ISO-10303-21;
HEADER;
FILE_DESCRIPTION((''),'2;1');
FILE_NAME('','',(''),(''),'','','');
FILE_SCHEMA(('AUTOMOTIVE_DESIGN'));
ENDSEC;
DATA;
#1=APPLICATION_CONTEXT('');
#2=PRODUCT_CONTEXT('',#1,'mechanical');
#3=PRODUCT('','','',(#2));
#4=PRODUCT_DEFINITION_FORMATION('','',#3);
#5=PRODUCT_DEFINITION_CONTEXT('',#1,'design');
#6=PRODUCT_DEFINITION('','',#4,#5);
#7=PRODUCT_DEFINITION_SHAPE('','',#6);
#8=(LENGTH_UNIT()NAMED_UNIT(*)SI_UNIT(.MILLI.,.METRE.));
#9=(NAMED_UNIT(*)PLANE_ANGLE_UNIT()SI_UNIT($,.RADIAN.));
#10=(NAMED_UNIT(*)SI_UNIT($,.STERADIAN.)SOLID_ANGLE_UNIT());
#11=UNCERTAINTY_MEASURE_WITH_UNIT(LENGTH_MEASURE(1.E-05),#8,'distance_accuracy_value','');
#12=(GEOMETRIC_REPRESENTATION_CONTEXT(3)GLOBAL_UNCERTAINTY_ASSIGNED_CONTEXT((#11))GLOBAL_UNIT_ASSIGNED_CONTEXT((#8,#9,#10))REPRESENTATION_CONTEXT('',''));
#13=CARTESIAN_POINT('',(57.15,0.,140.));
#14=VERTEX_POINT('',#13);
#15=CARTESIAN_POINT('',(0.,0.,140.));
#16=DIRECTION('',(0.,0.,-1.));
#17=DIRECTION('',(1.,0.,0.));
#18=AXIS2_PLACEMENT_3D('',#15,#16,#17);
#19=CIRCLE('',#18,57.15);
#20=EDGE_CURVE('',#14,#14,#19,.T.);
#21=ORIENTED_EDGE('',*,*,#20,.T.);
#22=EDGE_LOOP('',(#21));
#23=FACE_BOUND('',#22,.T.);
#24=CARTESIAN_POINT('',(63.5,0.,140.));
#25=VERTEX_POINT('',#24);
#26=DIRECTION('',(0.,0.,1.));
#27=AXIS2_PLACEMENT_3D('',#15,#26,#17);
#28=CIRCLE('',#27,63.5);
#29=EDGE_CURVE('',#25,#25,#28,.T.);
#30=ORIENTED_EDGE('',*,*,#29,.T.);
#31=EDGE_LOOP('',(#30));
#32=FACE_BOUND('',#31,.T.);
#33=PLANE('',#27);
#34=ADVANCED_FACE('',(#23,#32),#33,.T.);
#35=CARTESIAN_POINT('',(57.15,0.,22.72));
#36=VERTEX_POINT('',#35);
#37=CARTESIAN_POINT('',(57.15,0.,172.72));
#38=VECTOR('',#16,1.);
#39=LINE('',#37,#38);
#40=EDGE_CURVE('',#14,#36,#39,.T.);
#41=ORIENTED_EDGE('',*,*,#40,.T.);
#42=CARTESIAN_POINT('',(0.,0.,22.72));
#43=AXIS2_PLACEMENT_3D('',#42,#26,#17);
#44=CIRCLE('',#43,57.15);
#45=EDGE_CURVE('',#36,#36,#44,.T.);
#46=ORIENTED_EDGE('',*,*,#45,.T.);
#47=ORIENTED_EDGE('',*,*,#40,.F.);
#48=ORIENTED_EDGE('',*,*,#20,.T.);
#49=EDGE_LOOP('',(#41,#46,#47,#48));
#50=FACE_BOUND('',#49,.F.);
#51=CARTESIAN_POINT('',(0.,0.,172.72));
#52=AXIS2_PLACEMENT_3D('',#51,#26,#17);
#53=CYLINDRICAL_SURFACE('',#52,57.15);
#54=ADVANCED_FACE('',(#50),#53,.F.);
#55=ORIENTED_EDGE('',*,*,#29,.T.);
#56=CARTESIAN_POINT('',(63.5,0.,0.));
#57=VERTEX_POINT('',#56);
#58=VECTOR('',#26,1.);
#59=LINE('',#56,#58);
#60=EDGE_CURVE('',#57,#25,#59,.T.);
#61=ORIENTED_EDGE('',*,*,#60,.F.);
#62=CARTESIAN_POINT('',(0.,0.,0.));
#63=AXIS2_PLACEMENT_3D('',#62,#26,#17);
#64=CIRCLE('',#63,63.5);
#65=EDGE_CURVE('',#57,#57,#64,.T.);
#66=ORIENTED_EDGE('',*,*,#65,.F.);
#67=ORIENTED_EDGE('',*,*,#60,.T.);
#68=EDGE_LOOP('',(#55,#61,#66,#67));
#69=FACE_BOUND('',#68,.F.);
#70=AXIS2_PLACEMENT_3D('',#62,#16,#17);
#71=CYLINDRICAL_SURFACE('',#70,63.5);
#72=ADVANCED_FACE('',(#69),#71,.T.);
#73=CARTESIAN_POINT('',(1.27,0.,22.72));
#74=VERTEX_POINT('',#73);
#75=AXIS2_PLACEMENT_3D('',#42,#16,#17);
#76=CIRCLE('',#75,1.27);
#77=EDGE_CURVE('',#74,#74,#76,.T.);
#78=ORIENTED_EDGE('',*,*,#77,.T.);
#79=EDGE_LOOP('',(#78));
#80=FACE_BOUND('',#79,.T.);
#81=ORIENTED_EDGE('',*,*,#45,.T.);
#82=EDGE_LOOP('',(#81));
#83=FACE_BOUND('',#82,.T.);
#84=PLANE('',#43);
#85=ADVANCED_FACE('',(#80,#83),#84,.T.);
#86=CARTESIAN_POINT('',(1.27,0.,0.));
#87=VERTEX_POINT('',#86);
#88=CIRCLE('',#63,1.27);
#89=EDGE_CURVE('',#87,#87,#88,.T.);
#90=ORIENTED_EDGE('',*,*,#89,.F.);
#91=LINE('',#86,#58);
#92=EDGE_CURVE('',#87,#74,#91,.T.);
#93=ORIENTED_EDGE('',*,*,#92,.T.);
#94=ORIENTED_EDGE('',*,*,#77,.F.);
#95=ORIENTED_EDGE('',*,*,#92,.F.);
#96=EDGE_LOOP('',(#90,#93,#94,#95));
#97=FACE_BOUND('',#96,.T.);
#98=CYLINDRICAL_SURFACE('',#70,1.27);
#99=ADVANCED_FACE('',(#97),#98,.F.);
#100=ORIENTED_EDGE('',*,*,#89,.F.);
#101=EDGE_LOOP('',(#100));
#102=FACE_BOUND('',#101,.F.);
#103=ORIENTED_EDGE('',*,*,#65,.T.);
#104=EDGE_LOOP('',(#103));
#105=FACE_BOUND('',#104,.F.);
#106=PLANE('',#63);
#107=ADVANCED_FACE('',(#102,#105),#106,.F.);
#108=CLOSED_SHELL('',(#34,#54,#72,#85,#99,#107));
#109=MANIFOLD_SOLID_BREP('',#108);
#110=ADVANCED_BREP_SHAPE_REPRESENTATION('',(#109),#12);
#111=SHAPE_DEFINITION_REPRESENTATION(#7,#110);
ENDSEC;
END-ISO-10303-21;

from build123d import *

# Parameters (mm, degrees)
F0_R     = 63.5
F0_R_2   = 57.15
F1_DEPTH = 140
F2_R     = 57.15
F3_DEPTH = 172.72
F4_DEPTH = 150
F5_R     = 1.27
F6_DEPTH = 140.001


with BuildPart() as f1:
    # F0 (on Top) → F1 (new body)
    with BuildSketch(Plane.XY):
        Circle(F0_R)
        Circle(F0_R_2, mode=Mode.SUBTRACT)
        Circle(F0_R_2)
    extrude(amount=F1_DEPTH)

    # F2 (on Top) → F3 (join)
    with BuildSketch(Plane.XY):
        Circle(F2_R)
    extrude(amount=F3_DEPTH)

    # F4 (cut): faces of the model
    f4_faces = [f1.faces().sort_by_distance(p)[0] for p in [
        (0, 0, 172.72),
        (0, 0, 0),
    ]]
    extrude(f4_faces, amount=-F4_DEPTH, dir=(0, 0, 1), mode=Mode.SUBTRACT)

    # F5 (on Top) → F6 (cut, through all)
    with BuildSketch(Plane.XY):
        Circle(F5_R)
    extrude(amount=F6_DEPTH, mode=Mode.SUBTRACT)


solid = f1.part
